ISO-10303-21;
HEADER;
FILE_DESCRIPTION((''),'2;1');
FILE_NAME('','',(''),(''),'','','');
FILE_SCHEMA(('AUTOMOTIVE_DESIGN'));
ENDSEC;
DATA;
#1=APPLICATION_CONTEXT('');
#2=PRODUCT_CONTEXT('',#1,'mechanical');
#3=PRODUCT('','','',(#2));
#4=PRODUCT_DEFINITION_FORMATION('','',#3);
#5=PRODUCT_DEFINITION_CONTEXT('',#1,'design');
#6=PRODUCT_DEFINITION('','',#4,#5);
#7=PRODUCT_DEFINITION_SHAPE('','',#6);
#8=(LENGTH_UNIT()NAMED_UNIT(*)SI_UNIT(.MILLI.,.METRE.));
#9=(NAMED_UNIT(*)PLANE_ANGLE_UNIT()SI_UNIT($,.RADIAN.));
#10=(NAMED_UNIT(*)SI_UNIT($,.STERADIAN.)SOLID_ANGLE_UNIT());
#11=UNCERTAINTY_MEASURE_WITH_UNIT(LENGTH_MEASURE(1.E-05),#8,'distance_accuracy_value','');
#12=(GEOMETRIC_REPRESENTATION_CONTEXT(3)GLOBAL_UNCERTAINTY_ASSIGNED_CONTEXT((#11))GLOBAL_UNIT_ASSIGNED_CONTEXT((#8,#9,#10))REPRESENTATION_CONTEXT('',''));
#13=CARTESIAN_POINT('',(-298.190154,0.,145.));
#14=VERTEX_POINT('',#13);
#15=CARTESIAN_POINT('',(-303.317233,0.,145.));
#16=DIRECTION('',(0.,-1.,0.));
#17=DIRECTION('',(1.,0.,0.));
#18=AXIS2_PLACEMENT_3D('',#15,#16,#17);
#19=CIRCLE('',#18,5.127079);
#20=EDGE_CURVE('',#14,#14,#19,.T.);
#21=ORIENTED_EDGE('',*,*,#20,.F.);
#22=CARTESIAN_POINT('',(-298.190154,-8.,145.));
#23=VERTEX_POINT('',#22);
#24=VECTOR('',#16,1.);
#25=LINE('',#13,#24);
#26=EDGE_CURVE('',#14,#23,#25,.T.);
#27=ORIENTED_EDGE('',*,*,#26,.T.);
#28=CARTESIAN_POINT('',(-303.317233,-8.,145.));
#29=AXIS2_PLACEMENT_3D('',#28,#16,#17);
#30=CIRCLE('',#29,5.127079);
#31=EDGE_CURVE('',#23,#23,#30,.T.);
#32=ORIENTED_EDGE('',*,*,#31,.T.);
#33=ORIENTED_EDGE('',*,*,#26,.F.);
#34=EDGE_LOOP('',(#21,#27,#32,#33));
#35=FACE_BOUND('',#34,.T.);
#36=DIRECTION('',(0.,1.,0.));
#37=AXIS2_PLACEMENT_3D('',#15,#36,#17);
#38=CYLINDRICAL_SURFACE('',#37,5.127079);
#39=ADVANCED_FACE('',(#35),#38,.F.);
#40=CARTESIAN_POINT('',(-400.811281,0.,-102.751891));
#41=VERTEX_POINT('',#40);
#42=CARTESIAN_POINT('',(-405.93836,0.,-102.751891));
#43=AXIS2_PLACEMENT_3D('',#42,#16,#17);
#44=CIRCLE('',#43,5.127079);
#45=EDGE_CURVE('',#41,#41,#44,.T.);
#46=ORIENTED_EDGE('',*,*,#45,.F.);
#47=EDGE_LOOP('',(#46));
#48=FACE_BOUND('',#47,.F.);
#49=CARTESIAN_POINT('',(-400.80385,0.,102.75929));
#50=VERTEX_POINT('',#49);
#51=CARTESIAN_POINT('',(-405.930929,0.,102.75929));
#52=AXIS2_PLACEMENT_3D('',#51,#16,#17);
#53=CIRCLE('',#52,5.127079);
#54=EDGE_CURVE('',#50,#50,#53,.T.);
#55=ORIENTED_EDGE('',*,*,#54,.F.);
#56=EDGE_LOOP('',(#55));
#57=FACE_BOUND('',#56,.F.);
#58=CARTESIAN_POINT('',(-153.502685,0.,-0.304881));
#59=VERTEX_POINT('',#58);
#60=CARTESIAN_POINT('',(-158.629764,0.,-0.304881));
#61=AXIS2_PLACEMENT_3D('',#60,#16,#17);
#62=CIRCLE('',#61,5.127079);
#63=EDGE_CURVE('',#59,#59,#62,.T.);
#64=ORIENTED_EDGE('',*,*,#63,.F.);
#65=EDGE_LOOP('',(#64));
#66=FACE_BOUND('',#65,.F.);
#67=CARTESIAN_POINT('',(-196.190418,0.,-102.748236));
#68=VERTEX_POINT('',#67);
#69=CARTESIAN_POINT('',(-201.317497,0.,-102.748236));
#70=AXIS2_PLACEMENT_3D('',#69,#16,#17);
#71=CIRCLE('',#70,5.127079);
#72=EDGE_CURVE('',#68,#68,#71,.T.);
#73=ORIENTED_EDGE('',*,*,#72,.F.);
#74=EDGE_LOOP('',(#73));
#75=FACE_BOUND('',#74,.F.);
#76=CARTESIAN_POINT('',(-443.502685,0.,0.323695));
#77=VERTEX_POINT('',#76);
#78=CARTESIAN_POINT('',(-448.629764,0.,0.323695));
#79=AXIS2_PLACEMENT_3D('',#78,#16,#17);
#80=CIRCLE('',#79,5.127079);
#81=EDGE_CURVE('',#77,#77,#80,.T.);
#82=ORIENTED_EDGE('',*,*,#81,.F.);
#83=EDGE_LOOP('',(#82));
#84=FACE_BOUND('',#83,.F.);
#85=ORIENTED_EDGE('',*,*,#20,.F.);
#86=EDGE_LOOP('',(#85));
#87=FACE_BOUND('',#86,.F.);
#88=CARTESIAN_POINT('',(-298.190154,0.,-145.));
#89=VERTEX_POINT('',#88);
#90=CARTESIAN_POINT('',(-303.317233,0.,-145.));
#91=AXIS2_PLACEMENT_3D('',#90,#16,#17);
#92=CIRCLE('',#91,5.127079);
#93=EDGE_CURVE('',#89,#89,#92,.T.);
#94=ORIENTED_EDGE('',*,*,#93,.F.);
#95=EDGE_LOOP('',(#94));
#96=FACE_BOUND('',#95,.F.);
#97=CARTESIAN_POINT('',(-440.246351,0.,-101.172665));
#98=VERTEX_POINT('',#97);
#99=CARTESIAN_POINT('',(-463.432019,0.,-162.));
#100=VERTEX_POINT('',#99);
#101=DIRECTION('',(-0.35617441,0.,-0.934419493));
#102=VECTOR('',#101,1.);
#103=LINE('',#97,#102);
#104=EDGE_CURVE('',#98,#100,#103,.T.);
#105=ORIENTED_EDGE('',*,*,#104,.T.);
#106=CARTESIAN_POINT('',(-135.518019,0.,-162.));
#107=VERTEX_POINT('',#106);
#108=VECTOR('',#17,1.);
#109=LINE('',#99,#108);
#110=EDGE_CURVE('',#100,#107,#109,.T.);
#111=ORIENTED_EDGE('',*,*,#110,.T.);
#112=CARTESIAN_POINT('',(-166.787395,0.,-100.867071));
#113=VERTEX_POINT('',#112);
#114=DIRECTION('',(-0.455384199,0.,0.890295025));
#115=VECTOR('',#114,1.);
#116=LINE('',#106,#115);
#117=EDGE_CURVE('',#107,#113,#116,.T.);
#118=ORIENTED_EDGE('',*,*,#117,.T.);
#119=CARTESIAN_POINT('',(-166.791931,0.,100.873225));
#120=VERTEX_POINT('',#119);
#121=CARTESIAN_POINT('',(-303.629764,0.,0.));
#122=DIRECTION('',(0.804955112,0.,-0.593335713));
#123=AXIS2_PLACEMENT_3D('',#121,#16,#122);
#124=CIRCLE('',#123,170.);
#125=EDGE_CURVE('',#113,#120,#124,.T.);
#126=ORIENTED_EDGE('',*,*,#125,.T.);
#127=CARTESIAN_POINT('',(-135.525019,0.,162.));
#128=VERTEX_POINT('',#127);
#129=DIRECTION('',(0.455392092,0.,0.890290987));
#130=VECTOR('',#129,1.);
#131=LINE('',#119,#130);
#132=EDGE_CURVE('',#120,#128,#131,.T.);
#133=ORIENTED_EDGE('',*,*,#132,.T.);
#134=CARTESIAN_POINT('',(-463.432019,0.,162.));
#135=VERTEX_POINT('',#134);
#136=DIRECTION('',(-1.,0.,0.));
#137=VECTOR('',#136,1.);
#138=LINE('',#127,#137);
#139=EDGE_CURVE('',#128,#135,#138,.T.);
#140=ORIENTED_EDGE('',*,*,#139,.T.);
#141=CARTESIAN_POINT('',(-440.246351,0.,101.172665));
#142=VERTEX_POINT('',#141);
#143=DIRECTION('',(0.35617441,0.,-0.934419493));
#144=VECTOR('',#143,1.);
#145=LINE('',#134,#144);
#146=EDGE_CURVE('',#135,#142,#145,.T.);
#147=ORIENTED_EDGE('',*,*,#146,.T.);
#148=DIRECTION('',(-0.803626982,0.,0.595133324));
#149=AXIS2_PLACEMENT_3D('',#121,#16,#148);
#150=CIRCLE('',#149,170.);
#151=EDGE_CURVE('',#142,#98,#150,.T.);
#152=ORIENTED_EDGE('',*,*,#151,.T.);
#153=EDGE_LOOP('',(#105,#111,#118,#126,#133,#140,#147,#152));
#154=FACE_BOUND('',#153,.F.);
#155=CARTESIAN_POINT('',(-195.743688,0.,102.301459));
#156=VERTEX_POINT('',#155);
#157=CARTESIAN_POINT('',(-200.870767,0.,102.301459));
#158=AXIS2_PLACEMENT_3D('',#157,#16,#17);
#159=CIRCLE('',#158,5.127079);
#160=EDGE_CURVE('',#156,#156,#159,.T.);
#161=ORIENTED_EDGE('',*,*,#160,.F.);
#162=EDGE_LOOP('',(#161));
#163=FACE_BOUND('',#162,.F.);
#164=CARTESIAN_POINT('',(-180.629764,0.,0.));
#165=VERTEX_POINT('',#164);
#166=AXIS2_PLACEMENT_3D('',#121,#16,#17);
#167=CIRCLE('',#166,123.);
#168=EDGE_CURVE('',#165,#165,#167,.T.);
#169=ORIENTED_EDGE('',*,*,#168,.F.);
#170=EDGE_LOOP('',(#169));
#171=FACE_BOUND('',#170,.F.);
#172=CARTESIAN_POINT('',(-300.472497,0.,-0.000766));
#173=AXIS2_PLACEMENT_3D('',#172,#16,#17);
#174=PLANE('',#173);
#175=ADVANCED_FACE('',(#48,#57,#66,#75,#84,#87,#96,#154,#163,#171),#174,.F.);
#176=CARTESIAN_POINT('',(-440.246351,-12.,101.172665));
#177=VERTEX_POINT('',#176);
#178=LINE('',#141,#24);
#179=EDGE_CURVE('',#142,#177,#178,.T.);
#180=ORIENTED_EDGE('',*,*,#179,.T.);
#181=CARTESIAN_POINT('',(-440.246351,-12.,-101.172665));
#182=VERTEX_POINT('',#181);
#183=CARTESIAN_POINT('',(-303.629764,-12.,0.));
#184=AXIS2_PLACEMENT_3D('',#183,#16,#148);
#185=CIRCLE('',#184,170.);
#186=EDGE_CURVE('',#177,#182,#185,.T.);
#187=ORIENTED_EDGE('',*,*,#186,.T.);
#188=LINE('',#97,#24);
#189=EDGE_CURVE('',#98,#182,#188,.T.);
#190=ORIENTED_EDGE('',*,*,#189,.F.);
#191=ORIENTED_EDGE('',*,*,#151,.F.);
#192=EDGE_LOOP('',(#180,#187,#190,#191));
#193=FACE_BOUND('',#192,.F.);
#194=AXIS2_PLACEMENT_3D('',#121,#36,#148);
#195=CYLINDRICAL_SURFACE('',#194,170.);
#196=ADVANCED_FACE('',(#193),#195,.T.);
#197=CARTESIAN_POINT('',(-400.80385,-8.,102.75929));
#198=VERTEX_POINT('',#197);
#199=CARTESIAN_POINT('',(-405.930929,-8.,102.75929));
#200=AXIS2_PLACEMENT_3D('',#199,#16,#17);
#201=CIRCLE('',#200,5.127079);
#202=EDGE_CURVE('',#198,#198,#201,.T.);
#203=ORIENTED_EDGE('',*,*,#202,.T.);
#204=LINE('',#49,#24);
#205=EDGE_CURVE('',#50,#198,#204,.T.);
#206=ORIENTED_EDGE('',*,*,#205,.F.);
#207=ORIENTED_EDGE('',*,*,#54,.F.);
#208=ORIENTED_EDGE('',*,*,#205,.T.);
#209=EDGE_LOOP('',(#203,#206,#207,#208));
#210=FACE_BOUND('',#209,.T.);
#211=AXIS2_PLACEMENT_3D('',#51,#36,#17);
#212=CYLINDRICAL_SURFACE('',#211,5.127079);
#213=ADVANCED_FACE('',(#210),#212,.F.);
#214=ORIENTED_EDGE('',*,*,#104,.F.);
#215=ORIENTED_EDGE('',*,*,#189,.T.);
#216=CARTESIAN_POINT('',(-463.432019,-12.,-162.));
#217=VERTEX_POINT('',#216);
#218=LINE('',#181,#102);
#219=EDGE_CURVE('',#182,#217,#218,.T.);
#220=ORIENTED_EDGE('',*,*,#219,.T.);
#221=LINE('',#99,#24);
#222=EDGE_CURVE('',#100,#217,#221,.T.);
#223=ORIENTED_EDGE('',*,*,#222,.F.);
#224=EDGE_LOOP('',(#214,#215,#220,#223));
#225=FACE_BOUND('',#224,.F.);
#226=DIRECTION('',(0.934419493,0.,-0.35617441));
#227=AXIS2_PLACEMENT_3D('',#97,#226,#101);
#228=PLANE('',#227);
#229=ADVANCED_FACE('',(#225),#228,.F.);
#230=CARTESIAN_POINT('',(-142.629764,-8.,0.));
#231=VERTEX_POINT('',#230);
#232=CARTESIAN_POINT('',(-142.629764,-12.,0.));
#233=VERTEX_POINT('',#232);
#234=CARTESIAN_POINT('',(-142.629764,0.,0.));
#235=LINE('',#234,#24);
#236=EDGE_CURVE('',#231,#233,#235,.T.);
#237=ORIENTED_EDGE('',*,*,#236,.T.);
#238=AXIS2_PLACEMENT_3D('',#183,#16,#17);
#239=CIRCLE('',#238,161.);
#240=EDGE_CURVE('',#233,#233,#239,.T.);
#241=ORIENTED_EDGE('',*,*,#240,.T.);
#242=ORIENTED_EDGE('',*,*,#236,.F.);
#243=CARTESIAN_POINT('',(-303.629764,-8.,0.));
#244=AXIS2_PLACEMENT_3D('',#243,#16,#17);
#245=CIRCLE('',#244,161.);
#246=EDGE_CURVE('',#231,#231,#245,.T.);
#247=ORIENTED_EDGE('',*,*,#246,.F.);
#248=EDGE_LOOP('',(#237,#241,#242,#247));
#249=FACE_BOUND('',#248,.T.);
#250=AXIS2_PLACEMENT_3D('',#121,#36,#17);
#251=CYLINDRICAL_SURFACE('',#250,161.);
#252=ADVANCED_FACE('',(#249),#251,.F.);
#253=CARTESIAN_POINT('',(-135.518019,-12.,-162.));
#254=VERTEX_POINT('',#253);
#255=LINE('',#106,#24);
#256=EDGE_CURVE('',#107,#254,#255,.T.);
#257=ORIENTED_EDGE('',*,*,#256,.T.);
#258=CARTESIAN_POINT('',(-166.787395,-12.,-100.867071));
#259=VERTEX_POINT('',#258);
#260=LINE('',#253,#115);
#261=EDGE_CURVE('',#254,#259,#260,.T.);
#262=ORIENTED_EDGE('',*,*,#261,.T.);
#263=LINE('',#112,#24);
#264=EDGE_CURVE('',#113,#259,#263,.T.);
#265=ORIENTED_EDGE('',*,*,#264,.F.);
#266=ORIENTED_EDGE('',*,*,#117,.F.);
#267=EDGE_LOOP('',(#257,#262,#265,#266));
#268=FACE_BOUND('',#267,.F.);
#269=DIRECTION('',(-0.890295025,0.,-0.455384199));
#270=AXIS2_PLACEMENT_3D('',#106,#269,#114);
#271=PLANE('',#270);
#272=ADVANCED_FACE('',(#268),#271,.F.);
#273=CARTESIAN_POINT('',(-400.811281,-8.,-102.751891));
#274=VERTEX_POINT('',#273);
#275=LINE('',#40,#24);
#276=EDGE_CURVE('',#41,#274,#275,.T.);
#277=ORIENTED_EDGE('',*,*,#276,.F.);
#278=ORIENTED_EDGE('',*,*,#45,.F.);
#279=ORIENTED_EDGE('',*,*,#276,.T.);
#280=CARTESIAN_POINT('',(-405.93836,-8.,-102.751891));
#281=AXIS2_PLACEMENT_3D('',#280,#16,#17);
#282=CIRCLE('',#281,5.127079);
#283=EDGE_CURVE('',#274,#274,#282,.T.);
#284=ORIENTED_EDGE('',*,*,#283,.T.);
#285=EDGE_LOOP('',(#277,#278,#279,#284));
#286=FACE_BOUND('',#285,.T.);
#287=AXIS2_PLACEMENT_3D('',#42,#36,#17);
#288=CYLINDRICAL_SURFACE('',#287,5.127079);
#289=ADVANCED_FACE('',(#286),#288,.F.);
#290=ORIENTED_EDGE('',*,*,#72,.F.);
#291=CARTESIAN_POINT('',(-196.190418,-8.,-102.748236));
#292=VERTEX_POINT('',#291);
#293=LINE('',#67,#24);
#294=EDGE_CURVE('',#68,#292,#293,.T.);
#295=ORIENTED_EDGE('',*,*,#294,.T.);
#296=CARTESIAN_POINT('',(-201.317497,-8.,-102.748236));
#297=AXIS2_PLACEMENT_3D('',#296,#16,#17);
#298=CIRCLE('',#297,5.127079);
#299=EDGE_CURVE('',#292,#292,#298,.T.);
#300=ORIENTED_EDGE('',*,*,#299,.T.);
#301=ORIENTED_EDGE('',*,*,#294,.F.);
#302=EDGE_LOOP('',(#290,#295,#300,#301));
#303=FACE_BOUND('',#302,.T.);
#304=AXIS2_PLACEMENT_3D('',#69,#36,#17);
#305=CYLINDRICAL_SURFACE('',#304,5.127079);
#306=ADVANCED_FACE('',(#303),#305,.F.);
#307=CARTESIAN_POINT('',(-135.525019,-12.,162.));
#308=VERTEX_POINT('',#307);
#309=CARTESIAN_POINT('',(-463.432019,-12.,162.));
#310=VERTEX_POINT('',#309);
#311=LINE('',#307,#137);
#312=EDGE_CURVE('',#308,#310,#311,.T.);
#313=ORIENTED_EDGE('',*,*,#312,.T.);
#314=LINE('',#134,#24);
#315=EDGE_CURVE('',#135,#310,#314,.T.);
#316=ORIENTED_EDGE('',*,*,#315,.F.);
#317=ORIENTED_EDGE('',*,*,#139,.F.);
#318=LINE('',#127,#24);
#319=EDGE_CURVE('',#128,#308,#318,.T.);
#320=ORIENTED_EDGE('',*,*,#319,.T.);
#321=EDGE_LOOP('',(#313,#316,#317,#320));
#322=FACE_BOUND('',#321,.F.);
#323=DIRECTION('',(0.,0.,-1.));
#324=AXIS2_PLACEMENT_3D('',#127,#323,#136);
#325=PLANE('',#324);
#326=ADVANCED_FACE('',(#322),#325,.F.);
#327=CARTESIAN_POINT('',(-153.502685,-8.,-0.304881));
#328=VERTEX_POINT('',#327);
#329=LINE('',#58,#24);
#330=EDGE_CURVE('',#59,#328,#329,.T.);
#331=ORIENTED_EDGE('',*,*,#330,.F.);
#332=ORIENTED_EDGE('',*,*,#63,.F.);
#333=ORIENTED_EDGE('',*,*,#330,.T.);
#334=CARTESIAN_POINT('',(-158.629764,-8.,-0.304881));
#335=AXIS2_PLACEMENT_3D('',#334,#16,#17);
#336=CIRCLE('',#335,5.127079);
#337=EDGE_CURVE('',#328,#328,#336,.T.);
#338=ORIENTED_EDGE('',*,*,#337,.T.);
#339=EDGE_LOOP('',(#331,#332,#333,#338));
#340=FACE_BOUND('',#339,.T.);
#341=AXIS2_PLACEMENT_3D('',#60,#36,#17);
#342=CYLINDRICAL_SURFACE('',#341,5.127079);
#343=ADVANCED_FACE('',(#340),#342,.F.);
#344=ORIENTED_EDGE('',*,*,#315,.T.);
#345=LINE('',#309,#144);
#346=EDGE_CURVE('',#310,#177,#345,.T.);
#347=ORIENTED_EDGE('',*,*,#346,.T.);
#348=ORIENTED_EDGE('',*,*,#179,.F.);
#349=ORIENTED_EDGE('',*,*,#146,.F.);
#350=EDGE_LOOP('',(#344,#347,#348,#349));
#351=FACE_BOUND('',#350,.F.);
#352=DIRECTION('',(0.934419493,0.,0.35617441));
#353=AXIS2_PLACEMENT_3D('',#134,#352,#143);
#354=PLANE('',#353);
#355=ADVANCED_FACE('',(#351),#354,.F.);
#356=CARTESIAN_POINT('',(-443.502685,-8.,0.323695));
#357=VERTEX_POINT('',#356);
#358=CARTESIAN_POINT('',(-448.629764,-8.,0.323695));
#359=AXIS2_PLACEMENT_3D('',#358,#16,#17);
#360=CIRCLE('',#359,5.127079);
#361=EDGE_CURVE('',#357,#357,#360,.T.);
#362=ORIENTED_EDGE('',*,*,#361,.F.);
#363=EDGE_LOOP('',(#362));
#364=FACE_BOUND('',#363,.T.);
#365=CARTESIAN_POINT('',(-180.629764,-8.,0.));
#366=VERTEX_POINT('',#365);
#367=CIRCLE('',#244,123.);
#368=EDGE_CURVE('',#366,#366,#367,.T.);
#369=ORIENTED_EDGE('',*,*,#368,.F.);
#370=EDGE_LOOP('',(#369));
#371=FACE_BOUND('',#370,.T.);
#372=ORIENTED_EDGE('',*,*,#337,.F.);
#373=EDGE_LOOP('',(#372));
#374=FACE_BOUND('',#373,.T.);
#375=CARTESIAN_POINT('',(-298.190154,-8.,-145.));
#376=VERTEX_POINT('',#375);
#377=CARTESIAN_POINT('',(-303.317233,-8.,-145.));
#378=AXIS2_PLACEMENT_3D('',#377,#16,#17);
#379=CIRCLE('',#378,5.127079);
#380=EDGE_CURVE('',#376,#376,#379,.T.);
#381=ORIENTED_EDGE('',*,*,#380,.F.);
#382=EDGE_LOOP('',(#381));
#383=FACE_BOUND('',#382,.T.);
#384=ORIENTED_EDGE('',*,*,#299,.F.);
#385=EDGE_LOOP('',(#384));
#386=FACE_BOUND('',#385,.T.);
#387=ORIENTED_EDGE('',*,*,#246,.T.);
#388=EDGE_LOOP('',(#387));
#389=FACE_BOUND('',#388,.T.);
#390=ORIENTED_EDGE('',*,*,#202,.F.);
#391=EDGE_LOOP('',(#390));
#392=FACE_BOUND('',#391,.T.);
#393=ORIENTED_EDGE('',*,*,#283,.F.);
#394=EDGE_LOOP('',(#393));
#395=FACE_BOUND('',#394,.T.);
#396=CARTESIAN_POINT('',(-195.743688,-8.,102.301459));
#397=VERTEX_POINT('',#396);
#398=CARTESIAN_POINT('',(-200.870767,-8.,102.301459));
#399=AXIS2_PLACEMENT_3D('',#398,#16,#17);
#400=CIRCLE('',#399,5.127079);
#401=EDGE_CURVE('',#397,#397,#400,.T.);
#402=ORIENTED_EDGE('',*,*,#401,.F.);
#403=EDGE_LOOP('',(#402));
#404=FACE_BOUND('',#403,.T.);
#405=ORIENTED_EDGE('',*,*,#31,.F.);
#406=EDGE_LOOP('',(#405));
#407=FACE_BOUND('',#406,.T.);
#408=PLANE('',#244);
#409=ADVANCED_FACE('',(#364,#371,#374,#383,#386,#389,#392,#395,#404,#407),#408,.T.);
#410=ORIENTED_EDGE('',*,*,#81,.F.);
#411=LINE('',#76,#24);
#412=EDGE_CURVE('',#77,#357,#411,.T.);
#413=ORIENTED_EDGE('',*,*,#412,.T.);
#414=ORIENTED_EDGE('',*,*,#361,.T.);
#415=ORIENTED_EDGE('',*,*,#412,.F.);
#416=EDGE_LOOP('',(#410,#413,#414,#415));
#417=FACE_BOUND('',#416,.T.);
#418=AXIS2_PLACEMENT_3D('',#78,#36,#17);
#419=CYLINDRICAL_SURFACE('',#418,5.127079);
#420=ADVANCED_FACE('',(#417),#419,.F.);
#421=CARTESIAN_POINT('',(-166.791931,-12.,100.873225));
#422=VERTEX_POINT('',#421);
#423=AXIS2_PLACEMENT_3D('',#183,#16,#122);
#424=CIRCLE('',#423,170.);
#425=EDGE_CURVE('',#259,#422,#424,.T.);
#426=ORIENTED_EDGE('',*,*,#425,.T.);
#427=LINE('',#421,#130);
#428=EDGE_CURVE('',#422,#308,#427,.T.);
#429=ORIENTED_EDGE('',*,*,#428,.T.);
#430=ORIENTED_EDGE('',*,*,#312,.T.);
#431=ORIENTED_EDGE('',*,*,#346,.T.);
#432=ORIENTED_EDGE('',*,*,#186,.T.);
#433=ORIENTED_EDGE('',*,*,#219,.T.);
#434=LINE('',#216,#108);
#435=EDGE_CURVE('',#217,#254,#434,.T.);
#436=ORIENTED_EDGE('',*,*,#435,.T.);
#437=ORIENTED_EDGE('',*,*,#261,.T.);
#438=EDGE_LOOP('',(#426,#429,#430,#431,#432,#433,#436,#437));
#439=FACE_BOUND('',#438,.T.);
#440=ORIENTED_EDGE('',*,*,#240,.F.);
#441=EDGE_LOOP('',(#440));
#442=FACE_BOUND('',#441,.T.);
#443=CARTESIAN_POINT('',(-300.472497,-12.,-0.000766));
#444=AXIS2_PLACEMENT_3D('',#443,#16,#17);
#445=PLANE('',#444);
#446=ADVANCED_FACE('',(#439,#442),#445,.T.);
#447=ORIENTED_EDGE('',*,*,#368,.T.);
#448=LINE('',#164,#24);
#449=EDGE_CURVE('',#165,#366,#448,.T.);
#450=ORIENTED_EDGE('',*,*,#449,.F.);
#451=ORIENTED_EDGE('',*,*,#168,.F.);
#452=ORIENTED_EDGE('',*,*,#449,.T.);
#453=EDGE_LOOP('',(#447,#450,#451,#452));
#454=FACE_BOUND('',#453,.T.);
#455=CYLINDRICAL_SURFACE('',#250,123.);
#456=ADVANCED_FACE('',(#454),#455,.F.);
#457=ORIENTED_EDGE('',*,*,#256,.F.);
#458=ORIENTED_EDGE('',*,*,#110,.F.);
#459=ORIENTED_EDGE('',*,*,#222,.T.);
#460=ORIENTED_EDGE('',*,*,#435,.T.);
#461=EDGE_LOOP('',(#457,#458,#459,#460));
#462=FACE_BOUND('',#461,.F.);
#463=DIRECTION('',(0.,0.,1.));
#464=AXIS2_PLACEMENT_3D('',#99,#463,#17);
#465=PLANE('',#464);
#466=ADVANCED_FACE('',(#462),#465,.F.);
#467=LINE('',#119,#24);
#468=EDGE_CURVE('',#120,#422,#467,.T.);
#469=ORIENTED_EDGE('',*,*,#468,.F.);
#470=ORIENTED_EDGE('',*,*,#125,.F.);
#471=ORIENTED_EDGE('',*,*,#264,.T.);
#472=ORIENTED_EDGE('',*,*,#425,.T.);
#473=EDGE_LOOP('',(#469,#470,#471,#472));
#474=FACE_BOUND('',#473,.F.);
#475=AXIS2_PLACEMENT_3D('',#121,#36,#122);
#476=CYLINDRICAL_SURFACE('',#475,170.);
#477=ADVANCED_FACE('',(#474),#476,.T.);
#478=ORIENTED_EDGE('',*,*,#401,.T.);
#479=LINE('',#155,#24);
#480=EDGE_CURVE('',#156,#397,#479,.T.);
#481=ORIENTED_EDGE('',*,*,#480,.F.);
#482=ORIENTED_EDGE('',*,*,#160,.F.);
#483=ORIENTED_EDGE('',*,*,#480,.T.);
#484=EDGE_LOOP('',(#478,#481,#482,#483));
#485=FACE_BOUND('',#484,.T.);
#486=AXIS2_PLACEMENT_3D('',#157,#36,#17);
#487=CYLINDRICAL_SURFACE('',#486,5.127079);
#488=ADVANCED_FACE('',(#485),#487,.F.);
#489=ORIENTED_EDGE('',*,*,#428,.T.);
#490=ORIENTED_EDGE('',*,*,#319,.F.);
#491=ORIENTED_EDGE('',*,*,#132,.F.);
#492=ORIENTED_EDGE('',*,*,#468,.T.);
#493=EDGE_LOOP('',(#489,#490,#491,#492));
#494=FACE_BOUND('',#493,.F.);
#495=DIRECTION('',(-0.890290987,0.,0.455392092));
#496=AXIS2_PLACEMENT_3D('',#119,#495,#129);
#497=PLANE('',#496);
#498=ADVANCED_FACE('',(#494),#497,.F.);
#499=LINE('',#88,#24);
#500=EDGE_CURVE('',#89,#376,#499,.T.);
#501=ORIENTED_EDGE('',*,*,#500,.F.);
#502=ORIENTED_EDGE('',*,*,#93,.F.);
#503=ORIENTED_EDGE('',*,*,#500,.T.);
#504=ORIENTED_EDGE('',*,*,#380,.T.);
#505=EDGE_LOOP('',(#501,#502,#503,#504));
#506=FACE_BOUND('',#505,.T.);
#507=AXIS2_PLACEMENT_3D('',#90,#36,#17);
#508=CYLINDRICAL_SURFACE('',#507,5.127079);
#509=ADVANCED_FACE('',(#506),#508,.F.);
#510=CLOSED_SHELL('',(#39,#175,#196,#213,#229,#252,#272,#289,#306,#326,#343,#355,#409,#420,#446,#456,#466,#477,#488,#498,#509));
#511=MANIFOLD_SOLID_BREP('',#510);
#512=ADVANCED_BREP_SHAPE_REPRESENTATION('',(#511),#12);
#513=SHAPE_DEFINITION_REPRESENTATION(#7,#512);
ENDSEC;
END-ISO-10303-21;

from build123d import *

# Parameters (mm, degrees)
F0_R     = 161
F0_R_2   = 5.127079
F0_R_3   = 123
F1_DEPTH = 8
F2_DEPTH = 12


with BuildPart() as f1:
    # F0 (on Front) → F1 (new body)
    with BuildSketch(Plane.XZ):
        with Locations((-303.629764, 0)):
            Circle(F0_R)
        with Locations((-405.93836, -102.751891)):
            Circle(F0_R_2, mode=Mode.SUBTRACT)
        with Locations((-303.317233, -145)):
            Circle(F0_R_2, mode=Mode.SUBTRACT)
        with Locations((-201.317497, -102.748236)):
            Circle(F0_R_2, mode=Mode.SUBTRACT)
        with Locations((-158.629764, -0.304881)):
            Circle(F0_R_2, mode=Mode.SUBTRACT)
        with Locations((-448.629764, 0.323695)):
            Circle(F0_R_2, mode=Mode.SUBTRACT)
        with Locations((-405.930929, 102.75929)):
            Circle(F0_R_2, mode=Mode.SUBTRACT)
        with Locations((-303.629764, 0)):
            Circle(F0_R_3, mode=Mode.SUBTRACT)
        with Locations((-303.317233, 145)):
            Circle(F0_R_2, mode=Mode.SUBTRACT)
        with Locations((-200.870767, 102.301459)):
            Circle(F0_R_2, mode=Mode.SUBTRACT)
    extrude(amount=F1_DEPTH)

    # F0 (on Front) → F2 (join)
    with BuildSketch(Plane.XZ):
        with BuildLine():
            Line((-135.525019, 162), (-463.432019, 162))
            Line((-463.432019, 162), (-440.246351, 101.172665))
            ThreePointArc((-440.246351, 101.172665), (-473.629764, 0), (-440.246351, -101.172665))
            Line((-440.246351, -101.172665), (-463.432019, -162))
            Line((-463.432019, -162), (-135.518019, -162))
            Line((-135.518019, -162), (-166.787395, -100.867071))
            ThreePointArc((-166.787395, -100.867071), (-133.629764, 0.003823), (-166.791931, 100.873225))
            Line((-166.791931, 100.873225), (-135.525019, 162))
        make_face()
        with Locations((-303.629764, 0)):
            Circle(F0_R, mode=Mode.SUBTRACT)
    extrude(amount=F2_DEPTH)


solid = f1.part
